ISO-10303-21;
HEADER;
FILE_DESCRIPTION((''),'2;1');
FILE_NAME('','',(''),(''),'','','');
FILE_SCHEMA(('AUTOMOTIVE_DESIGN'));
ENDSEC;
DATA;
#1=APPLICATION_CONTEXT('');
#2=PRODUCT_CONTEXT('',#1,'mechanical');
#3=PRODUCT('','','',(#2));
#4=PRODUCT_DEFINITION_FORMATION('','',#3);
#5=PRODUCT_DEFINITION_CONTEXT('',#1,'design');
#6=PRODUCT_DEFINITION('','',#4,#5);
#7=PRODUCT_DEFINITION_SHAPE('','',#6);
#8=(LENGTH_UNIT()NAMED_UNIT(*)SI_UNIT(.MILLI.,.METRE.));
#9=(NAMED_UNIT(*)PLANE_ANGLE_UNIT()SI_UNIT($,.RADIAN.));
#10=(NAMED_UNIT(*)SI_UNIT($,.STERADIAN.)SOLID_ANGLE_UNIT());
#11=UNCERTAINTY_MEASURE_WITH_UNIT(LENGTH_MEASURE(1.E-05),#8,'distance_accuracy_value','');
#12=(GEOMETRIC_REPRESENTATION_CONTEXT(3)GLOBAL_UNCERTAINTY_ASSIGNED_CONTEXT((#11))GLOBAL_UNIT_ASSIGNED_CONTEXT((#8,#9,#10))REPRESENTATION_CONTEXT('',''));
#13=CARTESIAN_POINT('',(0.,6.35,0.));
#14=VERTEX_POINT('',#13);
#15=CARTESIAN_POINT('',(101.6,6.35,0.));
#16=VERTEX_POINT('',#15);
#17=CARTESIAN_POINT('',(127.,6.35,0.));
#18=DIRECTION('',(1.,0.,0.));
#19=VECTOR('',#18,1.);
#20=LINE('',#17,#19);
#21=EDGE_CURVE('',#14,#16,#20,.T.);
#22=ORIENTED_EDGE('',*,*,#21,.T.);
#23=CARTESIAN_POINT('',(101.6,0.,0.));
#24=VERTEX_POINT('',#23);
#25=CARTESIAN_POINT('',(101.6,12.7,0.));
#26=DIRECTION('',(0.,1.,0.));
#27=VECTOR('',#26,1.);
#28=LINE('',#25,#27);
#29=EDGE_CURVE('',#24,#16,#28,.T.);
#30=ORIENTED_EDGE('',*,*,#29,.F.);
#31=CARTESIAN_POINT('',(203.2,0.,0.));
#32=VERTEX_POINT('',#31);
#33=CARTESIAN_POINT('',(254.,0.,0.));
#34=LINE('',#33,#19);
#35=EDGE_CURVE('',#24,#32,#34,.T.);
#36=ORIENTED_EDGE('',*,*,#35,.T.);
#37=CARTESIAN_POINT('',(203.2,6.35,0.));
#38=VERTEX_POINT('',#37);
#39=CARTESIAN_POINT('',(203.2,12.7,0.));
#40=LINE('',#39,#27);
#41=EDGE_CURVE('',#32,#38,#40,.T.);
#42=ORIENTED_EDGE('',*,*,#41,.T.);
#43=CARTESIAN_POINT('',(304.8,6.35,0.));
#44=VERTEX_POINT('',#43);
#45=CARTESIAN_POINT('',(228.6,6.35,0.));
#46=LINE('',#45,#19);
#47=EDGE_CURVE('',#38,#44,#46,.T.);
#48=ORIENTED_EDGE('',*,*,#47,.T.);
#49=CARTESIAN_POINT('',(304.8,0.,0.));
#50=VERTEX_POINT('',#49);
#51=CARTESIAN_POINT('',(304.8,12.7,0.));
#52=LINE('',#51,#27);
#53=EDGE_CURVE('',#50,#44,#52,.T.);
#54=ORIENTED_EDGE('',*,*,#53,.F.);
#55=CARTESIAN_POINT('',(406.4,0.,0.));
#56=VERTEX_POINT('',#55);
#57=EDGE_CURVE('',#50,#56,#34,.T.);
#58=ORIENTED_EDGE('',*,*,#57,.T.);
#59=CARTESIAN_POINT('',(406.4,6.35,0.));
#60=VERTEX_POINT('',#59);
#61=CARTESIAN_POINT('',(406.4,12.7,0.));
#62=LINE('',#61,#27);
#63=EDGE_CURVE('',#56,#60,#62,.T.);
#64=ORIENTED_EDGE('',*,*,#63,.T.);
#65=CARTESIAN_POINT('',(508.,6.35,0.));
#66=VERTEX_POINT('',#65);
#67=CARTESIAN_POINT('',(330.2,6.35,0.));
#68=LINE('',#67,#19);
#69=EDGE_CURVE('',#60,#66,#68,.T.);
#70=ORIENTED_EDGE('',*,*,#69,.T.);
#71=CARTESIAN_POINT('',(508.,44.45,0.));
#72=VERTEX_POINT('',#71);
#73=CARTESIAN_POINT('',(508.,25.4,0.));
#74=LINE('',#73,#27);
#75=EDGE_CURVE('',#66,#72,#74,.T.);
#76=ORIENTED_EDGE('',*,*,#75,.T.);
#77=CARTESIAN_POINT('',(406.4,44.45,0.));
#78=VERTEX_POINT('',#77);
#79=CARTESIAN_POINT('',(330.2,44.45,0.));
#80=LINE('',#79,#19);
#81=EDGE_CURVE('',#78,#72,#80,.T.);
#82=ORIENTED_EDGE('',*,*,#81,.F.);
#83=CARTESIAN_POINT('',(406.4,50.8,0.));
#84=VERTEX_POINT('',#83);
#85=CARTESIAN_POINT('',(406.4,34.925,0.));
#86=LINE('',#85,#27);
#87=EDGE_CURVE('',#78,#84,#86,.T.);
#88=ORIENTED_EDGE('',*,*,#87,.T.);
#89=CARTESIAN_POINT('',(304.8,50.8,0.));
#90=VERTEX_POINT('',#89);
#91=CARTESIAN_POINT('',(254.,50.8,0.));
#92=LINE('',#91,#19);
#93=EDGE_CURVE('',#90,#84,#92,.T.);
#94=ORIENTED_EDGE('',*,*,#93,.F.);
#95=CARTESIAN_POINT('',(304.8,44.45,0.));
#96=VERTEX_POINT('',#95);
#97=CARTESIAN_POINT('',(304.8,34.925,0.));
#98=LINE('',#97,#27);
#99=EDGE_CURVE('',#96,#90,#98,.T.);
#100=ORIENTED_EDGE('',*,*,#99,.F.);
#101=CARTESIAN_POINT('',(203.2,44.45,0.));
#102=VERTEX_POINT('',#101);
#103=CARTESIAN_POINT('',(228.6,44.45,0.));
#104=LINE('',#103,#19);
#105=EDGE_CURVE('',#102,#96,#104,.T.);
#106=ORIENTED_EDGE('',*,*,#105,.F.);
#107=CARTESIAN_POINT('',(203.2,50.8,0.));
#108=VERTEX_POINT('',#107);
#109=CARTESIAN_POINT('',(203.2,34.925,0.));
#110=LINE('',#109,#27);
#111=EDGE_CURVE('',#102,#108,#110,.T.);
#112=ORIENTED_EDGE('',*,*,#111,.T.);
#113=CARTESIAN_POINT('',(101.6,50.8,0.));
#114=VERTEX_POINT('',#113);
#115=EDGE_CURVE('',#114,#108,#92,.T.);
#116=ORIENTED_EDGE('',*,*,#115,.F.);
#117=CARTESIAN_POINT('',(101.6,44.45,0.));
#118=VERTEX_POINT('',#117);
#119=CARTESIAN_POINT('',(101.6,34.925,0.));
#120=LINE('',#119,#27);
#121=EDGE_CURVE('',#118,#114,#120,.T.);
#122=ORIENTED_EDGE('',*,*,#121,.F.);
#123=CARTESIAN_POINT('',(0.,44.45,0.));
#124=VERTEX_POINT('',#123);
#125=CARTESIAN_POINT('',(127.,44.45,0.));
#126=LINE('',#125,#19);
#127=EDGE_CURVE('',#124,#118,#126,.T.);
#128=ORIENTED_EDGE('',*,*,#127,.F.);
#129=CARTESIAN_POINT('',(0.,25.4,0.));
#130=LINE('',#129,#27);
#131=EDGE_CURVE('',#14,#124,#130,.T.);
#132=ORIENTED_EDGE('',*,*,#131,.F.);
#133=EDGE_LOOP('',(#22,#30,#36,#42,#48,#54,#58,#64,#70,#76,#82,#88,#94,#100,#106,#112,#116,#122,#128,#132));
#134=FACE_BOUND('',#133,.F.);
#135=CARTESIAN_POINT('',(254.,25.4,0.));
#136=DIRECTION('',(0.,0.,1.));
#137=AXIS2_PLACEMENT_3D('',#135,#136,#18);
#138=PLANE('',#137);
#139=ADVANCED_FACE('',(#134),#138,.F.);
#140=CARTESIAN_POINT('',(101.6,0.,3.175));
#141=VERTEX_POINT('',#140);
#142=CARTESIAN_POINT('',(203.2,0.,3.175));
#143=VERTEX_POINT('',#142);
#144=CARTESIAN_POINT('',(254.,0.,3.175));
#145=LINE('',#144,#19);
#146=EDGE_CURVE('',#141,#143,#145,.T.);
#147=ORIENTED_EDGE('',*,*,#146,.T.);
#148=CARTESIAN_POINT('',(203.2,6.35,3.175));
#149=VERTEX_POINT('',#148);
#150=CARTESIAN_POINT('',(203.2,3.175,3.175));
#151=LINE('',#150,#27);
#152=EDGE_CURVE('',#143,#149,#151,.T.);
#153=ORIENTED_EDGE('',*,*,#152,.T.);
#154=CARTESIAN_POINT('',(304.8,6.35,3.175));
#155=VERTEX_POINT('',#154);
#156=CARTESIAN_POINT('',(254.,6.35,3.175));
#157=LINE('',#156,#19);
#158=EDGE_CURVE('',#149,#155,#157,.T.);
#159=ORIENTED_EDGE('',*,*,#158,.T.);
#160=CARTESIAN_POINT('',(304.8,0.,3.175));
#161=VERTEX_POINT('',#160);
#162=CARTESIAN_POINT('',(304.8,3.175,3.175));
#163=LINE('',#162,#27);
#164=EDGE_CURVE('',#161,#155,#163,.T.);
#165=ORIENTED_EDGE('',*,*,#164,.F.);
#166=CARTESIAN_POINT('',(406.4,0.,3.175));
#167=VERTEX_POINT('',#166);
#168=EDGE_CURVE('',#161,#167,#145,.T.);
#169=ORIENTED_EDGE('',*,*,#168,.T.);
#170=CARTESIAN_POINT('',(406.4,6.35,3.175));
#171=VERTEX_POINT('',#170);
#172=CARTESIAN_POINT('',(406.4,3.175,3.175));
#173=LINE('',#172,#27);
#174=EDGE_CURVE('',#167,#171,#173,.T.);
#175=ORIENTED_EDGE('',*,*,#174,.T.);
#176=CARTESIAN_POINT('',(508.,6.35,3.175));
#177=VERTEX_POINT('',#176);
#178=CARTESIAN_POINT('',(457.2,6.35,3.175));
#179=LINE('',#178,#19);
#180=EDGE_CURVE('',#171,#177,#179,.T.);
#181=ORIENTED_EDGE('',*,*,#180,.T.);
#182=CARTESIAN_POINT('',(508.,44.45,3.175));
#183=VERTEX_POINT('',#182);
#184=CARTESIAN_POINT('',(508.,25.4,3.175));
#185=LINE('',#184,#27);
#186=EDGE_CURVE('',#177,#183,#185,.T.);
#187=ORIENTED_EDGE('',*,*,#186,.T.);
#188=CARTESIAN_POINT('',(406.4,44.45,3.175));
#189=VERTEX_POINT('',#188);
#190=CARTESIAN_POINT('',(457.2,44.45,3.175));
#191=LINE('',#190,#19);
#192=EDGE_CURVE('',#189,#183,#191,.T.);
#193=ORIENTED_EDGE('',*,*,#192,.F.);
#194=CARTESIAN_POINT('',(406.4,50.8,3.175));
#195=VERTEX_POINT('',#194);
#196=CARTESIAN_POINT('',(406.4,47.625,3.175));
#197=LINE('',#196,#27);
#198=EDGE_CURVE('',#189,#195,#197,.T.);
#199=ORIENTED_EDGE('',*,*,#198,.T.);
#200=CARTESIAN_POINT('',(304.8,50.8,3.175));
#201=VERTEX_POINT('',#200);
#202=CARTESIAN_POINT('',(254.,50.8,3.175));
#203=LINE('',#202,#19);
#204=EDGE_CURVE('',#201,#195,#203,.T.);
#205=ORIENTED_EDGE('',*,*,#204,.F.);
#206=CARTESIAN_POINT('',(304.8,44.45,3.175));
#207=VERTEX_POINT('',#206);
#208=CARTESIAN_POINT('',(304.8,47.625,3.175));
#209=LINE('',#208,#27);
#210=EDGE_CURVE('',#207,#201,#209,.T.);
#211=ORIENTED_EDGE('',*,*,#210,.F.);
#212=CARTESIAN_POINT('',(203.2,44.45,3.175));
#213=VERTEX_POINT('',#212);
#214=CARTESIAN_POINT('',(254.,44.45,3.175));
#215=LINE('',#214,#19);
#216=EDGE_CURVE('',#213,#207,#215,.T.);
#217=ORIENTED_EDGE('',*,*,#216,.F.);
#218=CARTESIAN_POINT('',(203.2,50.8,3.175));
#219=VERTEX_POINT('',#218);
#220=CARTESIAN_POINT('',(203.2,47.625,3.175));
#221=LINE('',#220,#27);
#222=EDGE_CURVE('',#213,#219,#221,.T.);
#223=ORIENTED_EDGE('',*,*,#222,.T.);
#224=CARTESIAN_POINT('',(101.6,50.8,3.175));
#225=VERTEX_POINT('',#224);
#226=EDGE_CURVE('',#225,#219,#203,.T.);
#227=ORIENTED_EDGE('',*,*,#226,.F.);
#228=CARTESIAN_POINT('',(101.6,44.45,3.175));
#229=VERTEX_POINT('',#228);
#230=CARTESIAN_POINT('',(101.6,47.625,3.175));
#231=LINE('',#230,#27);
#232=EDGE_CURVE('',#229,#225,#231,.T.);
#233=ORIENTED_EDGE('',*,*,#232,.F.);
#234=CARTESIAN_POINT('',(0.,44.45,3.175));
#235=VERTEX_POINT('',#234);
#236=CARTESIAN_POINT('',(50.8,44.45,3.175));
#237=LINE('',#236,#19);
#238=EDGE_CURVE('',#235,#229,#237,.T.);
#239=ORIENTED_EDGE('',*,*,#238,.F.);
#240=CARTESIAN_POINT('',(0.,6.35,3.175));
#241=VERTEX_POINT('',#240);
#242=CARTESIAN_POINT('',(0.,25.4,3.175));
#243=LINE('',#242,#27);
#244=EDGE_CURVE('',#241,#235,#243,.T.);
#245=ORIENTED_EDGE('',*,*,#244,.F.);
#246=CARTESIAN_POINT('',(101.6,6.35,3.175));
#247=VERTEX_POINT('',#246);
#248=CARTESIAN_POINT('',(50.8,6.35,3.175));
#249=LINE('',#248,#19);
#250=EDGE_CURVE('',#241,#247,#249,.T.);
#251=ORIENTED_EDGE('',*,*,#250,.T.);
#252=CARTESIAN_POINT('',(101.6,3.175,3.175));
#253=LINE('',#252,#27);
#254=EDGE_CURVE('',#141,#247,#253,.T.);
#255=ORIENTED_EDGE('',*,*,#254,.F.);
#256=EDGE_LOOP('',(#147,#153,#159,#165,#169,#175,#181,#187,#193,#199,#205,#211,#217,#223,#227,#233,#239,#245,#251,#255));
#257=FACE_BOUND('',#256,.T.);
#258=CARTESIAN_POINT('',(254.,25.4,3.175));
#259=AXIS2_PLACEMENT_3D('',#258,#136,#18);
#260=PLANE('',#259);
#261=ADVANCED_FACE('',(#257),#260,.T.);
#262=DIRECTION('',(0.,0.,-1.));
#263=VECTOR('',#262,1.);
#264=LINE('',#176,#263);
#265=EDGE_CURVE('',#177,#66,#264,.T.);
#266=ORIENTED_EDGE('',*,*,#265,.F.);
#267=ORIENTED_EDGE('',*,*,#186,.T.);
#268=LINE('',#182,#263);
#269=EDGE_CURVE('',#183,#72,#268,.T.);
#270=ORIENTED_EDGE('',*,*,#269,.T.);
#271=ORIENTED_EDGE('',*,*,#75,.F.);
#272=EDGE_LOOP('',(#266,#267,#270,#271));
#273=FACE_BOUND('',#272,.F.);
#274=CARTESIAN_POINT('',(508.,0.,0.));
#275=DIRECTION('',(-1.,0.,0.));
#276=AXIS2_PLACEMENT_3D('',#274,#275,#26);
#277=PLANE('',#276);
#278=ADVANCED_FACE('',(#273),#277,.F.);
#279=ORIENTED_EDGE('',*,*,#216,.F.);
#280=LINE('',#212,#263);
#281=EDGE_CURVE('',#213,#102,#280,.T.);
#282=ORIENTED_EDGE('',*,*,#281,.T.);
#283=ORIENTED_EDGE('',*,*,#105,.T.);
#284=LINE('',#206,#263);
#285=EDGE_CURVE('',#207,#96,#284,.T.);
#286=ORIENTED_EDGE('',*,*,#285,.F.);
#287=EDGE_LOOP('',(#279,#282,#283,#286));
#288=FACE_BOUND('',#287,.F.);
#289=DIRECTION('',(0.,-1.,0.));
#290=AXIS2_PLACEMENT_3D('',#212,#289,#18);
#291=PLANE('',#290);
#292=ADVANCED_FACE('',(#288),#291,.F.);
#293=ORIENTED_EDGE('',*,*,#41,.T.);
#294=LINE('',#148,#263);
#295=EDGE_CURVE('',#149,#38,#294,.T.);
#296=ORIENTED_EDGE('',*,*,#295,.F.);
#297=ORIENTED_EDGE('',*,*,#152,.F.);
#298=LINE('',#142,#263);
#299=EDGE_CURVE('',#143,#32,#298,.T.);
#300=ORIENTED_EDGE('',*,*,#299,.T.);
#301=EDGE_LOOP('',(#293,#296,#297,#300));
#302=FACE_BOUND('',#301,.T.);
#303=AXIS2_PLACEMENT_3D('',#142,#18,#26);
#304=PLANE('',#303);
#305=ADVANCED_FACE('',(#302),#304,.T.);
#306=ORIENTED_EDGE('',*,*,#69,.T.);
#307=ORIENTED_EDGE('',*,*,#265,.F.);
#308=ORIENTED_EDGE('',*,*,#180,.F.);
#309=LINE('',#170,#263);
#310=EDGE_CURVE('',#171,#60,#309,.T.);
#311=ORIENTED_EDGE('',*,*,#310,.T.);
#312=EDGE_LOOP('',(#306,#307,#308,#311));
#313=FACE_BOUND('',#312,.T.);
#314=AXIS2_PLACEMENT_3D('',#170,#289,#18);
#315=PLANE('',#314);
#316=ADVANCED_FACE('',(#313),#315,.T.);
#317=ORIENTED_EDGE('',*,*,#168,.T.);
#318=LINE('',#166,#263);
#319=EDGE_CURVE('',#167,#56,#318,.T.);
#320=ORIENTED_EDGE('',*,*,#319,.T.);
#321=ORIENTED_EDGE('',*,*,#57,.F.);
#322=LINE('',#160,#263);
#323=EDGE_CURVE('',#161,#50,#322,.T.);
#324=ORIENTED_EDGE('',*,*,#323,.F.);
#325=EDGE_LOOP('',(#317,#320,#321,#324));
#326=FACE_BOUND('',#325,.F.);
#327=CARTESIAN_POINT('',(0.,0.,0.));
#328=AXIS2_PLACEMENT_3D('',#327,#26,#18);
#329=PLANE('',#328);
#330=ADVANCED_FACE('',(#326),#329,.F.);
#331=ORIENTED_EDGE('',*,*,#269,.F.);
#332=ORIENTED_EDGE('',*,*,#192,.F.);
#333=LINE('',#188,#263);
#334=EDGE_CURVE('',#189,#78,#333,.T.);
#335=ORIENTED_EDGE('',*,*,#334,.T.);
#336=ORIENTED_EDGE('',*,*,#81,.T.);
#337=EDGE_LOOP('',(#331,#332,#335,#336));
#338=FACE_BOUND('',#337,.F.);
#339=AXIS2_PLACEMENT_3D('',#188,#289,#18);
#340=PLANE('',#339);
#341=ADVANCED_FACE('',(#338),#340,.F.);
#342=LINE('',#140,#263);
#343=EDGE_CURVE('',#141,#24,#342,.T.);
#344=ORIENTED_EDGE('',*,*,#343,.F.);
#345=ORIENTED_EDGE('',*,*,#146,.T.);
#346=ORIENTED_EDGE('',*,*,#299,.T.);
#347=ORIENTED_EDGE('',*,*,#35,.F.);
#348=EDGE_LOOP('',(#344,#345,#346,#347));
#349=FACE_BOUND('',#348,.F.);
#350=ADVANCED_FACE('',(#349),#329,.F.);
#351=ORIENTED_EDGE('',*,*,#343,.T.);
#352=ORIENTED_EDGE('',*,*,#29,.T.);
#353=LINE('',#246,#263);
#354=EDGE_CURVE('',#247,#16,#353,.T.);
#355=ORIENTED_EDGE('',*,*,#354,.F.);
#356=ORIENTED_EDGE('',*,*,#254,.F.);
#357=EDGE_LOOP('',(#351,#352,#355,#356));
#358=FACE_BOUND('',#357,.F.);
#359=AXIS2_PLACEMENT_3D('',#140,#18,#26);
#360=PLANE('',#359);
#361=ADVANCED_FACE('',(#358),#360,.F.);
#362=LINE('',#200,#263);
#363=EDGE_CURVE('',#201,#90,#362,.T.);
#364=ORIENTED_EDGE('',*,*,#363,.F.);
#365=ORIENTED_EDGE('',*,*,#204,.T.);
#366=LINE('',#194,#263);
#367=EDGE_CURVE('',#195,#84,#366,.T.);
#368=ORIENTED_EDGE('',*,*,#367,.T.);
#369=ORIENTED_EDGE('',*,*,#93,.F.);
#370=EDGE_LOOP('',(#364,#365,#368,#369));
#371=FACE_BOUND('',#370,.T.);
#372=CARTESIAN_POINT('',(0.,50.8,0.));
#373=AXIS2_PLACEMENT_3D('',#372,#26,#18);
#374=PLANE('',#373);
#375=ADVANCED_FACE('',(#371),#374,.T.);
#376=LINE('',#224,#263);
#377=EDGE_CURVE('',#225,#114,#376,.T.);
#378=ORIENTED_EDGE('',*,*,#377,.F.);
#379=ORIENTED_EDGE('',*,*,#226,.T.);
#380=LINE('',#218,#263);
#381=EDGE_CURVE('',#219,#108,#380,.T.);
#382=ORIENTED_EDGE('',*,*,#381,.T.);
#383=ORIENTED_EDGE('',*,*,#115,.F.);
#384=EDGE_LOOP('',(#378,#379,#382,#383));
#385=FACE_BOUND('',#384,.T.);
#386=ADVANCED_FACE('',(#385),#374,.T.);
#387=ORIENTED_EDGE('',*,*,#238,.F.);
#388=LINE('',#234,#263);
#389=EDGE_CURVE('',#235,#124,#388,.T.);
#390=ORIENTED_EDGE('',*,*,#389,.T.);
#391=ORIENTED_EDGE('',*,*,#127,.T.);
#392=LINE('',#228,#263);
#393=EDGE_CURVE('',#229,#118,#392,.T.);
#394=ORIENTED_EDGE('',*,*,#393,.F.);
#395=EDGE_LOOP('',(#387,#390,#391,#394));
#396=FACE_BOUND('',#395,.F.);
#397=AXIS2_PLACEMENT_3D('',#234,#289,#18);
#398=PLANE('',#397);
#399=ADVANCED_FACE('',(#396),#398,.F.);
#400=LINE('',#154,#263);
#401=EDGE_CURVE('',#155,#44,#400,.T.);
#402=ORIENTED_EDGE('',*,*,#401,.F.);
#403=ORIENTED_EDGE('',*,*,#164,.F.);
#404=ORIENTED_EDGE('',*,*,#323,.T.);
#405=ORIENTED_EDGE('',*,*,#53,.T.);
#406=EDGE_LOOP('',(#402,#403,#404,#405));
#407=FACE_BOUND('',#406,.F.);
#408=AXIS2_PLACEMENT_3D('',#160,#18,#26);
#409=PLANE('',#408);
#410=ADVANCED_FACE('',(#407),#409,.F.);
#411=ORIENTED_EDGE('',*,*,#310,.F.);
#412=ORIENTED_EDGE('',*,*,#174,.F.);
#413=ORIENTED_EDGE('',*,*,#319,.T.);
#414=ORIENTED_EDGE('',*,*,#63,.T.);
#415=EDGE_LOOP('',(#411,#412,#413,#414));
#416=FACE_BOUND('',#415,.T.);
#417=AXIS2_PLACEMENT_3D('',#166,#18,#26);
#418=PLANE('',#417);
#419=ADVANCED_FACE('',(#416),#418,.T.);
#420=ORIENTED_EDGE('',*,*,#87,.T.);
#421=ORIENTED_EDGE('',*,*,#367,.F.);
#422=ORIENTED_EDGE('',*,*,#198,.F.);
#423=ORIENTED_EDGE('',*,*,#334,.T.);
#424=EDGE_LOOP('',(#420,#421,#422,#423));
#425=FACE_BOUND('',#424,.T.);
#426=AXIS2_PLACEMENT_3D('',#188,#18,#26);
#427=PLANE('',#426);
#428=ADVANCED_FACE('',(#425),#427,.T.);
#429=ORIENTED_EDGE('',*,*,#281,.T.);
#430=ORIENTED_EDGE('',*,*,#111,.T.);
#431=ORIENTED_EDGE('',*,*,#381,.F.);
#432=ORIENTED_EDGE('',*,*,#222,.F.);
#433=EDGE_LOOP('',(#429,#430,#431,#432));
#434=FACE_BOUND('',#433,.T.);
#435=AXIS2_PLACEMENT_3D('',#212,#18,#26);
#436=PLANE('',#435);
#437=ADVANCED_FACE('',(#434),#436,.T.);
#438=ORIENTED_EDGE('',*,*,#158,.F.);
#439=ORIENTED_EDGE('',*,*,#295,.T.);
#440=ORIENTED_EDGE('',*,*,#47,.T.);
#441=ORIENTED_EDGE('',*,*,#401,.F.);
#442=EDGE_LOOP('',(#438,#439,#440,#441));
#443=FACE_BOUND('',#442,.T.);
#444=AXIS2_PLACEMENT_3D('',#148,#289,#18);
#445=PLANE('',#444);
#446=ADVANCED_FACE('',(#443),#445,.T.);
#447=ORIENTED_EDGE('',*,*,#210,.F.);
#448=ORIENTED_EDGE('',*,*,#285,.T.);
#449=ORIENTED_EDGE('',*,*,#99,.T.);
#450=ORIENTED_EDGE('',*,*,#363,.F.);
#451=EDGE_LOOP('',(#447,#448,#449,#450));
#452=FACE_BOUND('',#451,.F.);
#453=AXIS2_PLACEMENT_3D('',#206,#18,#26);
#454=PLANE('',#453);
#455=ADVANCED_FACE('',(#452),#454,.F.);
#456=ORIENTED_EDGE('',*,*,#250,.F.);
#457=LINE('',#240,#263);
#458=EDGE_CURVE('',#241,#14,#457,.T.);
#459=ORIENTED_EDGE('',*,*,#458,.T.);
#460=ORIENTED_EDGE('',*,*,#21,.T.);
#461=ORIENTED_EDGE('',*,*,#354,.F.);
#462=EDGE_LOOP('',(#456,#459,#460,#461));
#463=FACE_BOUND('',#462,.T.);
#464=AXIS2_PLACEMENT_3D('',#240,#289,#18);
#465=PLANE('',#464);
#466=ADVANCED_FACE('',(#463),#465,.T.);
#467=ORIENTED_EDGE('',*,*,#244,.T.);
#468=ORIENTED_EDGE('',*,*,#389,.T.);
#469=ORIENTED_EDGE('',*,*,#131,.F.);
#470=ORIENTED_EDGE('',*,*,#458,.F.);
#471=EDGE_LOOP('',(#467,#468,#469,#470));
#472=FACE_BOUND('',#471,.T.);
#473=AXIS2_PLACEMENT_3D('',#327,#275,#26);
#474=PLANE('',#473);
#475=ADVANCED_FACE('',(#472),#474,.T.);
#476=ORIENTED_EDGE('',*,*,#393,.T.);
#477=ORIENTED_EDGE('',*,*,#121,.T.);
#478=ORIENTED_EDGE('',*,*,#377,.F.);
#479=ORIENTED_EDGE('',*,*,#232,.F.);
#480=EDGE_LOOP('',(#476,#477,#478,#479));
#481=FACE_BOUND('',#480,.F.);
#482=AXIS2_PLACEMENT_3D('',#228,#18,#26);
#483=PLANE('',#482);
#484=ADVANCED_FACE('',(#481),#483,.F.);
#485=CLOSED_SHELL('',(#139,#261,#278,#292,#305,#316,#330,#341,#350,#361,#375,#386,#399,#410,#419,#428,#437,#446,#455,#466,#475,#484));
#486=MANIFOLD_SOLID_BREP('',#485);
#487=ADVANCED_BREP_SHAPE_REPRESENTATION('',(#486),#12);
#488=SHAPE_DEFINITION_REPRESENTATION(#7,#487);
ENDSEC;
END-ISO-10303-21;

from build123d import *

# Parameters (mm, degrees)
F0_W     = 508
F0_H     = 50.8
F1_DEPTH = 3.175
F2_W     = 101.6
F2_H     = 6.35
F3_DEPTH = 25.4
F4_W     = 101.6
F4_H     = 6.35
F5_DEPTH = 25.4


with BuildPart() as f1:
    # F0 (on Top) → F1 (new body)
    with BuildSketch(Plane.XY):
        with Locations((254, 25.4)):
            Rectangle(F0_W, F0_H)
    extrude(amount=F1_DEPTH)

    # F2 (on face) → F3 (cut)
    with BuildSketch(Plane.XY.offset(3.175)):
        with Locations((254, 3.175)):
            Rectangle(F2_W, F2_H)
        with Locations((457.2, 3.175)):
            Rectangle(F2_W, F2_H)
        with Locations((50.8, 3.175)):
            Rectangle(F2_W, F2_H)
    extrude(amount=-F3_DEPTH, mode=Mode.SUBTRACT)

    # F4 (on face) → F5 (cut)
    with BuildSketch(Plane.XY.offset(3.175)):
        with Locations((457.2, 47.625)):
            Rectangle(F4_W, F4_H)
        with Locations((254, 47.625)):
            Rectangle(F4_W, F4_H)
        with Locations((50.8, 47.625)):
            Rectangle(F4_W, F4_H)
    extrude(amount=-F5_DEPTH, mode=Mode.SUBTRACT)


solid = f1.part
